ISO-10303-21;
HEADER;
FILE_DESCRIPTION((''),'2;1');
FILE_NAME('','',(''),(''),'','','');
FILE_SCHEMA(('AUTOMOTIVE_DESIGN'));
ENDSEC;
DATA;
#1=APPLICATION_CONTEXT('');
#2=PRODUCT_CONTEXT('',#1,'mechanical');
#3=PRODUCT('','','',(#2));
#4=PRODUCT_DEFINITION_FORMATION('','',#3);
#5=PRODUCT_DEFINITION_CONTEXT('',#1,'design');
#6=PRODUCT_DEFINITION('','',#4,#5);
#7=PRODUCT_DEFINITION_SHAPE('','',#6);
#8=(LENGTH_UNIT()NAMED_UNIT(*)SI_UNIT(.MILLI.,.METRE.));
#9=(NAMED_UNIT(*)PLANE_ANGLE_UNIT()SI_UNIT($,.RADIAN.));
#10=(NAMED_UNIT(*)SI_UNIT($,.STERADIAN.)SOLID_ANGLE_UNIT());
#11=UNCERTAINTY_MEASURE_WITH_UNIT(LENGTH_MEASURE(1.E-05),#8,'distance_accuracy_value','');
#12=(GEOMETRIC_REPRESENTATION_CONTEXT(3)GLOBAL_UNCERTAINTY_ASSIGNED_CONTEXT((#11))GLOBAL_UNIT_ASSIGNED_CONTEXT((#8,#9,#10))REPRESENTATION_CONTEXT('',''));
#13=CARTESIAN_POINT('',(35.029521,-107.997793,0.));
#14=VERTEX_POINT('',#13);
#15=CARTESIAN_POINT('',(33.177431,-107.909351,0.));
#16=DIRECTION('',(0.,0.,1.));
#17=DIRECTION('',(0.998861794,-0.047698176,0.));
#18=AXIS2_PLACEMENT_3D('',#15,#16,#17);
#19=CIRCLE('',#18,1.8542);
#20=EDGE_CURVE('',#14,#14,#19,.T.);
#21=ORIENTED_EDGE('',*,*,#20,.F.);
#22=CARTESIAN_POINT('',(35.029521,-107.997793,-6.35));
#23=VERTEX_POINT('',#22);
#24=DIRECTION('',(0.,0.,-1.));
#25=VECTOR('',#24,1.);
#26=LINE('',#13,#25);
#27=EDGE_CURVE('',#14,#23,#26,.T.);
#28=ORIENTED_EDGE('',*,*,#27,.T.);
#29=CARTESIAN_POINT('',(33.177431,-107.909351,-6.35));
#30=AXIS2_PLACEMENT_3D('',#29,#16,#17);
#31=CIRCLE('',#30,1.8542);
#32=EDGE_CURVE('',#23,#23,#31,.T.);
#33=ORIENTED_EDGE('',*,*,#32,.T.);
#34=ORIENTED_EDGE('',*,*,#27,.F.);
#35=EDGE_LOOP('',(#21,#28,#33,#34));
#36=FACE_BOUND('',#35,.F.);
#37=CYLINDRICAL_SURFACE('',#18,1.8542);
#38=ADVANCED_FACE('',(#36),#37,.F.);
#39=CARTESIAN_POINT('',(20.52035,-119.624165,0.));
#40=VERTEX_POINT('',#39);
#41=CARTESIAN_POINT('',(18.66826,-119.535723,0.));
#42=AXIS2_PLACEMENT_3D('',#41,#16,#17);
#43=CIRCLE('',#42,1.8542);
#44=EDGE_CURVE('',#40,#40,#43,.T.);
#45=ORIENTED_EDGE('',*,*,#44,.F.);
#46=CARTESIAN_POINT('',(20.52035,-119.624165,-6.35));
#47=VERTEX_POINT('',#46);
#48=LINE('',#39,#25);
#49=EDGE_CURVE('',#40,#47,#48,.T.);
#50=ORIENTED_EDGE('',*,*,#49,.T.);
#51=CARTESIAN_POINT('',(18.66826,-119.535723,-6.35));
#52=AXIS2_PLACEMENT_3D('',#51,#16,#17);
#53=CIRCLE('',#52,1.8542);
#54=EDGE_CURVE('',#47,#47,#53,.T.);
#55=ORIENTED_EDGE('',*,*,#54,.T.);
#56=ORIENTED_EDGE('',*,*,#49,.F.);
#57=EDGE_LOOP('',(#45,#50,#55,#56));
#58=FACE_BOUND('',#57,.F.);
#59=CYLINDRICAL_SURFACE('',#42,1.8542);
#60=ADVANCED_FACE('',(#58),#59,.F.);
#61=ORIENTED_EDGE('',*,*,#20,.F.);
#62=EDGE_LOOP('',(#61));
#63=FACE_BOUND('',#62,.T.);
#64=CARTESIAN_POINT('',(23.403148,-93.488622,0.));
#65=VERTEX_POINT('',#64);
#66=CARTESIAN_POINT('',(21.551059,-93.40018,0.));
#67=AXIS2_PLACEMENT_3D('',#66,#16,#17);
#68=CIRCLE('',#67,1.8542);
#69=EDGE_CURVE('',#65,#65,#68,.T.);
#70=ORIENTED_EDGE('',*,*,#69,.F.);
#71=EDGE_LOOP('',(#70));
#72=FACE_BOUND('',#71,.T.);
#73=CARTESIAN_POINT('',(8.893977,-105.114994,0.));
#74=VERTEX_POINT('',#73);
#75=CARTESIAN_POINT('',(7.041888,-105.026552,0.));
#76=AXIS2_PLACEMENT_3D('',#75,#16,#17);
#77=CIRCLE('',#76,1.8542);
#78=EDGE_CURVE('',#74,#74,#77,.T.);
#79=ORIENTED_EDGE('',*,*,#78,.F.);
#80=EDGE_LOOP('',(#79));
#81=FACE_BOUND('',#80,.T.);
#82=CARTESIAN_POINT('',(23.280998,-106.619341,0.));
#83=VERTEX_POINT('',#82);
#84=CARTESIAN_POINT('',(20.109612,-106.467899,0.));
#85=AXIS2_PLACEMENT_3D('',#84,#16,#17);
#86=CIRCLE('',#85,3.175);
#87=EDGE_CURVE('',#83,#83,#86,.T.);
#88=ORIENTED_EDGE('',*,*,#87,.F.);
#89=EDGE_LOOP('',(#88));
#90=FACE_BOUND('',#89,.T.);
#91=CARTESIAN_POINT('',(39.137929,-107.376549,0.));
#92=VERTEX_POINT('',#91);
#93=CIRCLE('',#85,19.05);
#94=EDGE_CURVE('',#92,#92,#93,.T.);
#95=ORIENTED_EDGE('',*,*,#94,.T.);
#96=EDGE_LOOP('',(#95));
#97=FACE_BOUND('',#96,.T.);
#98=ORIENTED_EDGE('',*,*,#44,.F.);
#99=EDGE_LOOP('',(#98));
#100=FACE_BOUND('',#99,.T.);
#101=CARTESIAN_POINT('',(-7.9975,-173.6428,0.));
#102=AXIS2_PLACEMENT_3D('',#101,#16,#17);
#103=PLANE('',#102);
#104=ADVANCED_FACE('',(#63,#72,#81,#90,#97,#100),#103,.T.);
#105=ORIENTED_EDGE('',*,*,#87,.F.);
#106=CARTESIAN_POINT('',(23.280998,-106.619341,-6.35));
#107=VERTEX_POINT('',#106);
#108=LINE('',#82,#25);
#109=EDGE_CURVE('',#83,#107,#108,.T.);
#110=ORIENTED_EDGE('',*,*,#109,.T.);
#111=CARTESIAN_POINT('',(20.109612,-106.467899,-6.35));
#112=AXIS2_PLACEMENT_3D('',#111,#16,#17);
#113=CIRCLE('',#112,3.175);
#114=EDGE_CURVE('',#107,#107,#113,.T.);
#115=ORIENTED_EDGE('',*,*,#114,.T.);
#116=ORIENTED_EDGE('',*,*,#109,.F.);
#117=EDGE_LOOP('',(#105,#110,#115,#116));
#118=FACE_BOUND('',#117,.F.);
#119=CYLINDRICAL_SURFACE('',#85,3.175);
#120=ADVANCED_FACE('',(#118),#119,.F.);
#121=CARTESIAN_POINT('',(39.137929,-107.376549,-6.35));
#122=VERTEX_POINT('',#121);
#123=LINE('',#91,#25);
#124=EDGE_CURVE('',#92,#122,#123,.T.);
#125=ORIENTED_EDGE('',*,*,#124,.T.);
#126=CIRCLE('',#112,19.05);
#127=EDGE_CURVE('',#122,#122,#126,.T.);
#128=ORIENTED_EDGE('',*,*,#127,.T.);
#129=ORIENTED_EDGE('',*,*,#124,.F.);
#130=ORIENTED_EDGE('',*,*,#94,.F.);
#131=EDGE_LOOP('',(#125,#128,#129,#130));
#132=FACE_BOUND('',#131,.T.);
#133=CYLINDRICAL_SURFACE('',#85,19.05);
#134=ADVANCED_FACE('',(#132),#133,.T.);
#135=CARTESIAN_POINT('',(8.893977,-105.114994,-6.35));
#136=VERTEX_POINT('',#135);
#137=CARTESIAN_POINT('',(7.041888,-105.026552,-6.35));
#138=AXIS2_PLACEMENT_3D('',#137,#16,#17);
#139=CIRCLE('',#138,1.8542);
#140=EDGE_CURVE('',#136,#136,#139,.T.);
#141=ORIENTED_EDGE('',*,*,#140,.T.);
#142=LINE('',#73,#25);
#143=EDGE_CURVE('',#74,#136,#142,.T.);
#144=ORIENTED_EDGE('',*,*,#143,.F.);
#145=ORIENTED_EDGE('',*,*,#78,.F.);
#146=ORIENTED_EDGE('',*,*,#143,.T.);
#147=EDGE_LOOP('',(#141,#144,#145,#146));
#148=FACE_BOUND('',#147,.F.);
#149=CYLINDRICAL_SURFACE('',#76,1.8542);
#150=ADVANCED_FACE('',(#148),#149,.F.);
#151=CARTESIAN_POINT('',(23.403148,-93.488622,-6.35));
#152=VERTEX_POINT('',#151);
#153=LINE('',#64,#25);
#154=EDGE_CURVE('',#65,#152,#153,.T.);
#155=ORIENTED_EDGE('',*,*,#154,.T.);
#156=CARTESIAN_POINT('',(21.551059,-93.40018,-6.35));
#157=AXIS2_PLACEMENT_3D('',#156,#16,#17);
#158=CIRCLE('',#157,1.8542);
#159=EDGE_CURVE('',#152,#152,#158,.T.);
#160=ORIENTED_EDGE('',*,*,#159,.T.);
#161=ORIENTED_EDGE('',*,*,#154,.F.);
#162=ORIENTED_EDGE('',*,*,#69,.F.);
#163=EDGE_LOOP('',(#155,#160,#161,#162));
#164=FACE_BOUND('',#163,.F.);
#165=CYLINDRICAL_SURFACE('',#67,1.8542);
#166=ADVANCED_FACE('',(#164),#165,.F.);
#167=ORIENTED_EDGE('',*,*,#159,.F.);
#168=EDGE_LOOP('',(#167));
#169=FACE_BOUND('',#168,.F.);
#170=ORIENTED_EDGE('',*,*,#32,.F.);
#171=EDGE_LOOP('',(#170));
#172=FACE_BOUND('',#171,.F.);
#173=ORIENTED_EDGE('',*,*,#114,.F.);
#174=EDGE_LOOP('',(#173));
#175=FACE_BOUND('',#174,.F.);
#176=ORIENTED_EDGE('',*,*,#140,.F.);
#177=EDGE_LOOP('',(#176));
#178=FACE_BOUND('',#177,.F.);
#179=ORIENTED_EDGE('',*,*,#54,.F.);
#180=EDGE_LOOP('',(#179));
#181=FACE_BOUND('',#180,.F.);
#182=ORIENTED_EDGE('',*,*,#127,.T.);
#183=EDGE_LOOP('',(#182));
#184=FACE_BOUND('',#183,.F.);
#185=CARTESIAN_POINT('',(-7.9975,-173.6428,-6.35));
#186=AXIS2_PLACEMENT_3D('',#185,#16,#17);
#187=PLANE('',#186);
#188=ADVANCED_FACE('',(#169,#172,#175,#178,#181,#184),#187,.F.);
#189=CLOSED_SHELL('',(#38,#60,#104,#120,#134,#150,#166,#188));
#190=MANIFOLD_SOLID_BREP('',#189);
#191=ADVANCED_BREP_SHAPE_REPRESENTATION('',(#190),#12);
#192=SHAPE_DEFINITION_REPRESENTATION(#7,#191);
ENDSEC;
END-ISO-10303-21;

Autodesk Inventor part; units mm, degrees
ref_plane "YZ Plane" through (0, 0, 0) normal (1, 0, 0) x (0, 1, 0)
ref_plane "XZ Plane" through (0, 0, 0) normal (0, 1, 0) x (-1, 0, 0)
ref_plane "XY Plane" through (0, 0, 0) normal (0, 0, 1) x (1, 0, 0)
ref_plane "Work Plane1" through (-7.9975, -173.6428, 0) normal (0, 0, 1) x (0.9989, -0.0477, 0)
sketch "Sketch1" plane through (-7.9975, -173.6428, 0) normal (0, 0, 1) x (0.9989, -0.0477, 0)
  circle A0 centre (24.871, 68.4391) radius 19.05 projected
  circle A1 centre (37.9927, 67.6226) radius 1.8542 projected
  circle A2 centre (25.6875, 81.5607) radius 1.8542 projected
  circle A3 centre (11.7494, 69.2555) radius 1.8542 projected
  circle A4 centre (24.0546, 55.3174) radius 1.8542 projected
  circle A5 centre (24.871, 68.4391) radius 3.175 projected
  point P0 (-0.2983, 173.8266)
extrude "Extrusion1" add sketch "Sketch1" against normal blind 6.35
properties part number "gearGuideDiscOutputStage1"
